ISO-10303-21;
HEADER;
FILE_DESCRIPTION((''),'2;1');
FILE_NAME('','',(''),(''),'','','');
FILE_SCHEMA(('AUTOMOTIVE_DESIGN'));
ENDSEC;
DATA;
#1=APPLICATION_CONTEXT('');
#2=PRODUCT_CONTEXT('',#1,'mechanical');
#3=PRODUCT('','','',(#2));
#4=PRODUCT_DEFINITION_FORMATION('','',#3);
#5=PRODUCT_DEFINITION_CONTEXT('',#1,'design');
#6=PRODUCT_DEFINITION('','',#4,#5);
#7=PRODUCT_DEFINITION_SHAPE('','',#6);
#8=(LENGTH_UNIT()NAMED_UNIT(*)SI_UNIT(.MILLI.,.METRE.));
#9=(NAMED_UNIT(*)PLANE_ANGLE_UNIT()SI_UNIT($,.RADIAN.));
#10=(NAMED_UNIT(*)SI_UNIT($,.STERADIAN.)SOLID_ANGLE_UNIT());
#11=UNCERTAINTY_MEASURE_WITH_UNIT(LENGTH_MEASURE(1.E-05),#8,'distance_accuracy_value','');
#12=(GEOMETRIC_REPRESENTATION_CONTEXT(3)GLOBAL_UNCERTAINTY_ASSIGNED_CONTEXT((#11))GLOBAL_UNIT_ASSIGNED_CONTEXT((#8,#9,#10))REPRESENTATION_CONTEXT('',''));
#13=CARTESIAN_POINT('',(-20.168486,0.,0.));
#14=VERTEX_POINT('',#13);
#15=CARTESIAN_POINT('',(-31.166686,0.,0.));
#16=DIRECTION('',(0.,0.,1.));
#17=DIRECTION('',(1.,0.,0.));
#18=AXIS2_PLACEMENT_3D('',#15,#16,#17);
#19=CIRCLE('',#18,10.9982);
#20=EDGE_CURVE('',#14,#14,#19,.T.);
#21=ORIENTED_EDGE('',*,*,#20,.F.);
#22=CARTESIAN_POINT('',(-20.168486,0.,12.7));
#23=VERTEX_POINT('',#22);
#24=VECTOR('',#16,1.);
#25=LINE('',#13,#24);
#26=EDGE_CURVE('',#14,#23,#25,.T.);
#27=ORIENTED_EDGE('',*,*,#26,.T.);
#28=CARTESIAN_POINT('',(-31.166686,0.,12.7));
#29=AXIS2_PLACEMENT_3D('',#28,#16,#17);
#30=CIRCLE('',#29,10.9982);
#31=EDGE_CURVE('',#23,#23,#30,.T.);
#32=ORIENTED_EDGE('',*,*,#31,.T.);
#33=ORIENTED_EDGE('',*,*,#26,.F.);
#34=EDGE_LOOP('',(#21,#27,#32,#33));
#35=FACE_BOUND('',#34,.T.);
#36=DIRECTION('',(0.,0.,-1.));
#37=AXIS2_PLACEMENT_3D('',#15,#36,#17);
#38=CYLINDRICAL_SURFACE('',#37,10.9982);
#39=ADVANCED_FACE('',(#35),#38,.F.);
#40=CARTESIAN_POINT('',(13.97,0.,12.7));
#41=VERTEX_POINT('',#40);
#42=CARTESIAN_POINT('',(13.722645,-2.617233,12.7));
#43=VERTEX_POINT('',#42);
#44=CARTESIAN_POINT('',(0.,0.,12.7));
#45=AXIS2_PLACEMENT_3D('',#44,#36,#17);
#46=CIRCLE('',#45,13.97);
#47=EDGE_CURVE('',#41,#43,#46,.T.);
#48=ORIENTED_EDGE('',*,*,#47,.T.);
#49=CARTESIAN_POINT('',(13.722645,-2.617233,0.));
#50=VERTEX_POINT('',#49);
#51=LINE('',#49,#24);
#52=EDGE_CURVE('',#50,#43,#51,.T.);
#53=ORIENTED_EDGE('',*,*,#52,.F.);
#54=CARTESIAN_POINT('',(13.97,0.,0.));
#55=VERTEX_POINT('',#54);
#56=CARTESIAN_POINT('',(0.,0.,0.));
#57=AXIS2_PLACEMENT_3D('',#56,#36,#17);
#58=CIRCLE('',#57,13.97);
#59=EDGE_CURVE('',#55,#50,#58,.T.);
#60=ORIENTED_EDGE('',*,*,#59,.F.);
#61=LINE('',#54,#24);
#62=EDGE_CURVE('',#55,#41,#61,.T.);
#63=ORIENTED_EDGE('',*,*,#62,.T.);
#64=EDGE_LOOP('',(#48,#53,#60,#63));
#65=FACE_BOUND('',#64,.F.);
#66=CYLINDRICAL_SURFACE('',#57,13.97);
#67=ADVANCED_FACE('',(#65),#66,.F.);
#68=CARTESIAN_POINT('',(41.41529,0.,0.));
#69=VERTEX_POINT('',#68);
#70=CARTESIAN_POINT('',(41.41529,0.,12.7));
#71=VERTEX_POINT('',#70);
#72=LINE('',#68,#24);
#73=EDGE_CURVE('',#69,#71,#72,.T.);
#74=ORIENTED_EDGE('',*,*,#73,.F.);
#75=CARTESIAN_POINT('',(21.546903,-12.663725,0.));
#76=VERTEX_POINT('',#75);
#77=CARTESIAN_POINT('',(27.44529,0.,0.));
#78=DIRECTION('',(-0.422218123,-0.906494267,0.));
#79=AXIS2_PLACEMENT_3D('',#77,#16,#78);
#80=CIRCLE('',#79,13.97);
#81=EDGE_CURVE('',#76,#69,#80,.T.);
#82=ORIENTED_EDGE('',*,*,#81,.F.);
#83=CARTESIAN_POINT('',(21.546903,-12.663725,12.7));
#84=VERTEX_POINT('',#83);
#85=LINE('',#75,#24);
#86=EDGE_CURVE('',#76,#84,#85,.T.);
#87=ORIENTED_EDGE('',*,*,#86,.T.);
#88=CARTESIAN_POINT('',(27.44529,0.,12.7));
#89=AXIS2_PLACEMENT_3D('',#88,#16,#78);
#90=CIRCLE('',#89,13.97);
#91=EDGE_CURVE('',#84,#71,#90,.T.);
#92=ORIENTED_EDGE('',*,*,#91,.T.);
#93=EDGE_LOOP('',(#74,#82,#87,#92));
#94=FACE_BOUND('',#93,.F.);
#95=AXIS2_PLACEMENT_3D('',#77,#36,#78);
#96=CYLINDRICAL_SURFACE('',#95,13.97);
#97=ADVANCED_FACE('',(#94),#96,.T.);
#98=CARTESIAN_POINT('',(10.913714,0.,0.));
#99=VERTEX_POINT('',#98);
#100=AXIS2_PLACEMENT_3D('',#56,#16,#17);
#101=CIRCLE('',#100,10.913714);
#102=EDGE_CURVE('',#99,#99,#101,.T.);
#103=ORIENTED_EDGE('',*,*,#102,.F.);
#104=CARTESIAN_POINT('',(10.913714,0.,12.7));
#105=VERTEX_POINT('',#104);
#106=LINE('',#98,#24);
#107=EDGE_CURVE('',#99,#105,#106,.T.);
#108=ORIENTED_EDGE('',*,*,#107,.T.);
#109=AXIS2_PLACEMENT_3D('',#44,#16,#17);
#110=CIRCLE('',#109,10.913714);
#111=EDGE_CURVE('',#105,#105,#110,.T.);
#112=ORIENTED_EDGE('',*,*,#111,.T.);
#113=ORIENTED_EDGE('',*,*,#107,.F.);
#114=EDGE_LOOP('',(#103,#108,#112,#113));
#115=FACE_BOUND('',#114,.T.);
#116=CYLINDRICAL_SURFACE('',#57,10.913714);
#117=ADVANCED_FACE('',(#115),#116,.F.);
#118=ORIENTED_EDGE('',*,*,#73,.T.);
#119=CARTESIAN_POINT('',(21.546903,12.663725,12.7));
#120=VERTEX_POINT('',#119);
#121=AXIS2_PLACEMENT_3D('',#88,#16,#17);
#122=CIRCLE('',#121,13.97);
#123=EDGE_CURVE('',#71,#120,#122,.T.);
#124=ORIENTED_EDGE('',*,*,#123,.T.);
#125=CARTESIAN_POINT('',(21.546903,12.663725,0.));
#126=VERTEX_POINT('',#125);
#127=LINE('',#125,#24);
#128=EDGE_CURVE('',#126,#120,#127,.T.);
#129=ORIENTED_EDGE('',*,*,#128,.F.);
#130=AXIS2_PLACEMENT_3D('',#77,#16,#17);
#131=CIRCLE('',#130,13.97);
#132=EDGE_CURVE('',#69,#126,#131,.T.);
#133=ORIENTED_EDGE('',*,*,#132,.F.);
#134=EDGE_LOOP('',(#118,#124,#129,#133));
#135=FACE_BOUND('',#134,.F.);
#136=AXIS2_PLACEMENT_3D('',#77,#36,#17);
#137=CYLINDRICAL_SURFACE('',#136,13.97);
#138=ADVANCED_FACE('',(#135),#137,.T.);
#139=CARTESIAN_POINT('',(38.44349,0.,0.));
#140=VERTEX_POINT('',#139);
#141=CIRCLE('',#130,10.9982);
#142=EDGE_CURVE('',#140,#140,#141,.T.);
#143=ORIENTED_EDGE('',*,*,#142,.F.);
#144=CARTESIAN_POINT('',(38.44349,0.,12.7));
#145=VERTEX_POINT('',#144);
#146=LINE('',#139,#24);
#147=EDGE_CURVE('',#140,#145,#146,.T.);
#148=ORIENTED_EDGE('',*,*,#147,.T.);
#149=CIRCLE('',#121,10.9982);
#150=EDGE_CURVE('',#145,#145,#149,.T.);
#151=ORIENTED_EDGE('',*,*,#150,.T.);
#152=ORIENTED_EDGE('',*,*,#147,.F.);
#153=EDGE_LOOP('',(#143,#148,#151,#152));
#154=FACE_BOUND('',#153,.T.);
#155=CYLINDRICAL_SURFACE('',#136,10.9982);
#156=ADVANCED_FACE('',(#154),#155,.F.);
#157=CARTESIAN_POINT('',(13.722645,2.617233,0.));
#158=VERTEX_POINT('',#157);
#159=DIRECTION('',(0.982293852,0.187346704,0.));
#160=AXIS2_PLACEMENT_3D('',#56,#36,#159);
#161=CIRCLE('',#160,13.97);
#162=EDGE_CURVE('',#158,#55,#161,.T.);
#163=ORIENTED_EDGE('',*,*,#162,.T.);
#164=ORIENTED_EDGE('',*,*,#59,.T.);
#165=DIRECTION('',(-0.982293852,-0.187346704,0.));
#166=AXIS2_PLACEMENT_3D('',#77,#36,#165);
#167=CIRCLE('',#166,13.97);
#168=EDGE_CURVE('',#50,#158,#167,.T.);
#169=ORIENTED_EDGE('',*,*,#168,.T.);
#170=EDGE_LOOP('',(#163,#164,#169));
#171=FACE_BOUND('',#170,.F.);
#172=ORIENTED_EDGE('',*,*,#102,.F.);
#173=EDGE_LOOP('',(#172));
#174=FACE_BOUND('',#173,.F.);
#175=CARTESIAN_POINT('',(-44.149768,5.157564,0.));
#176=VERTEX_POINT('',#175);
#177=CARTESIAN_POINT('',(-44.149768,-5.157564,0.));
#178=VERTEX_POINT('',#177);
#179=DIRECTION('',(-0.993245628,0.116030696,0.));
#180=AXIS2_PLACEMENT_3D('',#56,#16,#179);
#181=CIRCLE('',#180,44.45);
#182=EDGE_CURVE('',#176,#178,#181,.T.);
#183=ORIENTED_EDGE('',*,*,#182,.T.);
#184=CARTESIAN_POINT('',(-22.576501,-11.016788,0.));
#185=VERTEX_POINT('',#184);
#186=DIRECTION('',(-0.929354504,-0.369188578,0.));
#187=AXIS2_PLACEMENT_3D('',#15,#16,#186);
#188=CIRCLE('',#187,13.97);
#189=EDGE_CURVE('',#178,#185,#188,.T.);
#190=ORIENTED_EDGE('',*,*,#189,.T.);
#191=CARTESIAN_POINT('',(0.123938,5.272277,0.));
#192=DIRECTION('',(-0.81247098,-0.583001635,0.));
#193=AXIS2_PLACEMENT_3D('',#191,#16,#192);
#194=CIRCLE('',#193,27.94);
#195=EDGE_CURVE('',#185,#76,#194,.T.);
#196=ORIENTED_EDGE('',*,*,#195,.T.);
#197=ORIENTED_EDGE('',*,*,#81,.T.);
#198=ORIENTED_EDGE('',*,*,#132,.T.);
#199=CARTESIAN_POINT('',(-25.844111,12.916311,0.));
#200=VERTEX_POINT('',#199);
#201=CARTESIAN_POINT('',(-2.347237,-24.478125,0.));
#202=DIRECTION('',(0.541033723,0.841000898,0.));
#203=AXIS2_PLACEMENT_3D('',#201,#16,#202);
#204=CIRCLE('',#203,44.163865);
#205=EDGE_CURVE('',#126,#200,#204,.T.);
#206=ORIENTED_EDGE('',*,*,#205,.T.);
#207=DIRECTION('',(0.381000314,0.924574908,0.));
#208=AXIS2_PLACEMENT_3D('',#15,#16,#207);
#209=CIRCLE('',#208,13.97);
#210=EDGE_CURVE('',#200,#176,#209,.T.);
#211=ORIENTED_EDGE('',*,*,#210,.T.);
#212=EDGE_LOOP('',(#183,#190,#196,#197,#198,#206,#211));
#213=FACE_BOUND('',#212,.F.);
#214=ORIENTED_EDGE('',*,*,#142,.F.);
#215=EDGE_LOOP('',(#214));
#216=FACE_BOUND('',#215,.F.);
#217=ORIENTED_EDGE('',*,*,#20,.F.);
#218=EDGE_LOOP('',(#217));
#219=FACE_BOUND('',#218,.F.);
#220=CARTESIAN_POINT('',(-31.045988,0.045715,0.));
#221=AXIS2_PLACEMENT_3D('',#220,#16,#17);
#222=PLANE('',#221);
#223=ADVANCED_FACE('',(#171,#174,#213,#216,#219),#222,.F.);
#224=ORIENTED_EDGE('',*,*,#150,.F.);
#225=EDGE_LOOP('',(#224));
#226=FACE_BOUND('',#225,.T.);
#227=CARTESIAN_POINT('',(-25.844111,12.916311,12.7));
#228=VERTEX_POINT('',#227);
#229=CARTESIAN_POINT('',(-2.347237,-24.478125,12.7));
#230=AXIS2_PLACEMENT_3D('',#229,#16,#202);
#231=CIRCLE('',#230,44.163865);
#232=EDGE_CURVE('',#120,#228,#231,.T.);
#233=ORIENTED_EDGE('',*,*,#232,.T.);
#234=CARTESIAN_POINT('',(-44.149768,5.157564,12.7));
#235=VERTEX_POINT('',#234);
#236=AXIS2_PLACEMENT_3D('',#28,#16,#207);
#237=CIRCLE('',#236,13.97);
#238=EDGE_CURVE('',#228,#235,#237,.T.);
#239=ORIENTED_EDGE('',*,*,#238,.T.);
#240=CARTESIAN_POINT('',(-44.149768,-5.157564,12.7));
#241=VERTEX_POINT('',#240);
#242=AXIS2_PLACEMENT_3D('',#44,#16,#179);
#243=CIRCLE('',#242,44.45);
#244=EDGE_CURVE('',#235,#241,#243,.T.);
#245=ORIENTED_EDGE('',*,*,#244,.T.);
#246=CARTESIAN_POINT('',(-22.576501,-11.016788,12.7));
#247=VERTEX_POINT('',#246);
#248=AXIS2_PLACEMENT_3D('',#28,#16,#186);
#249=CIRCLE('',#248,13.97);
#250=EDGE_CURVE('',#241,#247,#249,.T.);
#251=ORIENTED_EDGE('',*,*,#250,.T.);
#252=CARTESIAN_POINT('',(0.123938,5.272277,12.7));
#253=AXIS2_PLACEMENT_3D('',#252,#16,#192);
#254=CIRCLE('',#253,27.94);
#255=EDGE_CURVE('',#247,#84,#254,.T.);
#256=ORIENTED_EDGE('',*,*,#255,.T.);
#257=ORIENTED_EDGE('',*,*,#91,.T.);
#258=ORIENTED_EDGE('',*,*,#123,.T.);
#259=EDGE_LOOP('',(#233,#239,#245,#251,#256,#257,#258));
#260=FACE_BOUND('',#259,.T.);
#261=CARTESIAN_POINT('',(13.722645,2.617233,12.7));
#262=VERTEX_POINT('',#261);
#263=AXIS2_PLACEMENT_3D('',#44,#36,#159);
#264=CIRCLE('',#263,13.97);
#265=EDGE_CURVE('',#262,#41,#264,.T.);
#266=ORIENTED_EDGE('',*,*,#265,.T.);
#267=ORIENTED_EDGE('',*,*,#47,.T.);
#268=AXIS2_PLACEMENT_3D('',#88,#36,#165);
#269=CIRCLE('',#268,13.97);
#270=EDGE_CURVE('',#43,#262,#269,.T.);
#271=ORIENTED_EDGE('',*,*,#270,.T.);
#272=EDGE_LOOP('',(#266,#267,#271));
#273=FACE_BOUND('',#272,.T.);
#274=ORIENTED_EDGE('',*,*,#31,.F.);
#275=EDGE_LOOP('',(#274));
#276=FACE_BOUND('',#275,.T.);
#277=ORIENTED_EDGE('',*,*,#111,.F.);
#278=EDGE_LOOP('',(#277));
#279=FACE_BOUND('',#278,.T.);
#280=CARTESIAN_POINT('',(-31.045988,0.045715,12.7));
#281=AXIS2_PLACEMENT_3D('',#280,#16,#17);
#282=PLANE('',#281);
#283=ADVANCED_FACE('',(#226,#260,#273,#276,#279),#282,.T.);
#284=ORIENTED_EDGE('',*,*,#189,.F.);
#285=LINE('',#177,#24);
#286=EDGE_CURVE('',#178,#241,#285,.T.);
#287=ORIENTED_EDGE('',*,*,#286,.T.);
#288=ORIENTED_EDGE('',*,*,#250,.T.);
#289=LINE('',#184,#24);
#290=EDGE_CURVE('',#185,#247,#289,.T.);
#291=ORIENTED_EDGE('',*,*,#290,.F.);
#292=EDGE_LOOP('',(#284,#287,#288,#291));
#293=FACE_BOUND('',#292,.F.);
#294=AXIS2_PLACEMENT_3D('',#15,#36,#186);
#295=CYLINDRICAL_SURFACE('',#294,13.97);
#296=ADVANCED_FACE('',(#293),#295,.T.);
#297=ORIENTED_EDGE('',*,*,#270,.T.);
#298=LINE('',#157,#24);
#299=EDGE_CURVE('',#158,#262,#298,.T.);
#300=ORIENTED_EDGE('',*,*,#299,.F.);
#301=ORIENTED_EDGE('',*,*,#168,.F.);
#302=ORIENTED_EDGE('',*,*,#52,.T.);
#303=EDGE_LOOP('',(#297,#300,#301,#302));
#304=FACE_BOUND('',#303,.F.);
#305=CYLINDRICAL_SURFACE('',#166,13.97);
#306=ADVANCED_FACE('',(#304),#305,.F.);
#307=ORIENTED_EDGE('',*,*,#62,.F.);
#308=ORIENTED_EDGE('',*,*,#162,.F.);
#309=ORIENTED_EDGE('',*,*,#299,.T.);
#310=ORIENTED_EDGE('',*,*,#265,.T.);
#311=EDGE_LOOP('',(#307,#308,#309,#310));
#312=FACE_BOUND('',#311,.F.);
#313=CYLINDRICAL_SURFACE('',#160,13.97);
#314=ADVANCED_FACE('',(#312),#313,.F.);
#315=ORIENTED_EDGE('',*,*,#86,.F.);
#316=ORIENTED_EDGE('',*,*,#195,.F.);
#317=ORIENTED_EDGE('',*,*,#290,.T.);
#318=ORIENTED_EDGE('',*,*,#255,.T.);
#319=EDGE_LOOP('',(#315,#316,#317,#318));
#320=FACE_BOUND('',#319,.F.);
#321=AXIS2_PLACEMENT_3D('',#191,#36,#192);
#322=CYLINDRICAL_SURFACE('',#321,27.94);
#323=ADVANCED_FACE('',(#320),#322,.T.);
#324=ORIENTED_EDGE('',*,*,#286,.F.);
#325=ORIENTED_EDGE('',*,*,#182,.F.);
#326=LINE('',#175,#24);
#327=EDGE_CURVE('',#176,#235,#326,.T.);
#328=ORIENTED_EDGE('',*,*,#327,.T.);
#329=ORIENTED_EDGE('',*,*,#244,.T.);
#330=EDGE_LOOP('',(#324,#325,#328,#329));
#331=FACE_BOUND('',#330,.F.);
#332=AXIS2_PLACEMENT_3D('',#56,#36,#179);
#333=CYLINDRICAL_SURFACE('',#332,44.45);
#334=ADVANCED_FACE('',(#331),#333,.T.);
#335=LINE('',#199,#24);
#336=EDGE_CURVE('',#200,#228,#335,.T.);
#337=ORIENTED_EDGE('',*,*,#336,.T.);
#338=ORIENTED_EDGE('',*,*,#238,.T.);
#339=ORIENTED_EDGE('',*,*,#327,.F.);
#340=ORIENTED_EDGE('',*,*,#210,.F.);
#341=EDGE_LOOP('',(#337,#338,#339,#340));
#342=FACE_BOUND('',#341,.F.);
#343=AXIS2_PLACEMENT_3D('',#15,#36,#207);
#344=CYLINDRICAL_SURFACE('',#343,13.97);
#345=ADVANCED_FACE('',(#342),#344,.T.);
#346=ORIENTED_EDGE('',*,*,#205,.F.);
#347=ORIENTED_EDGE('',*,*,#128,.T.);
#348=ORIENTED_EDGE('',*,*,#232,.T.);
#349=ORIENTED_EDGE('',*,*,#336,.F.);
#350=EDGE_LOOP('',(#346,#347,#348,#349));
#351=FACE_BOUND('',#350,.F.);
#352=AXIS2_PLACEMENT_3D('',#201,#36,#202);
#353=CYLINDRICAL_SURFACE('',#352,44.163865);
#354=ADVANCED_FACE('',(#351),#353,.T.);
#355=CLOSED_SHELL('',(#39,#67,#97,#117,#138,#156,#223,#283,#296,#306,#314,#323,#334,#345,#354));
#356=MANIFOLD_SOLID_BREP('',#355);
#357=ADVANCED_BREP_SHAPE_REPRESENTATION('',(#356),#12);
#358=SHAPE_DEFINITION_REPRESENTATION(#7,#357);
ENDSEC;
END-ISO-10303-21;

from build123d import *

# Parameters (mm, degrees)
F0_R     = 10.9982
F0_R_2   = 10.9137143354
F1_DEPTH = 12.7


with BuildPart() as f1:
    # F0 (on Top) → F1 (new body)
    with BuildSketch(Plane.XY):
        with BuildLine():
            ThreePointArc((-25.8441113636, 12.9163114686), (-36.6183263022, 12.8623681815), (-44.1497681666, 5.1575644288))
            ThreePointArc((-44.1497681666, 5.1575644288), (-44.45, 0), (-44.1497681666, -5.1575644288))
            ThreePointArc((-44.1497681666, -5.1575644288), (-34.8282447282, -13.4816128788), (-22.5765010853, -11.016788439))
            ThreePointArc((-22.5765010853, -11.016788439), (-18.6134833709, -6.13009055), (-17.1966857451, 0))
            ThreePointArc((-17.1966857451, 0), (-19.5581271759, 7.7718895994), (-25.8441113636, 12.9163114686))
        make_face()
        with Locations((-31.1666857451, 0)):
            Circle(F0_R, mode=Mode.SUBTRACT)
        with BuildLine():
            ThreePointArc((13.7226451188, -2.6172334521), (13.4752902377, 0), (13.7226451188, 2.6172334521))
            ThreePointArc((13.7226451188, 2.6172334521), (-13.97, 0), (13.7226451188, -2.6172334521))
        make_face()
        Circle(F0_R_2, mode=Mode.SUBTRACT)
        with BuildLine():
            ThreePointArc((41.4152902377, 0), (34.9539662549, 11.7805214005), (21.5469030554, 12.6637249121))
            ThreePointArc((21.5469030554, 12.6637249121), (16.4235288175, 8.583803073), (13.7226451188, 2.6172334521))
            ThreePointArc((13.7226451188, 2.6172334521), (13.9080238048, 1.3144481142), (13.97, 0))
            ThreePointArc((13.97, 0), (13.9080238048, -1.3144481142), (13.7226451188, -2.6172334521))
            ThreePointArc((13.7226451188, -2.6172334521), (16.4235288175, -8.583803073), (21.5469030554, -12.6637249121))
            ThreePointArc((21.5469030554, -12.6637249121), (34.9539662549, -11.7805214005), (41.4152902377, 0))
        make_face()
        with Locations((27.4452902377, 0)):
            Circle(F0_R, mode=Mode.SUBTRACT)
        with BuildLine():
            ThreePointArc((21.5469030554, 12.6637249121), (-2.1118543996, 19.6851125626), (-25.8441113636, 12.9163114686))
            ThreePointArc((-25.8441113636, 12.9163114686), (-19.5581271759, 7.7718895994), (-17.1966857451, 0))
            ThreePointArc((-17.1966857451, 0), (-18.6134833709, -6.13009055), (-22.5765010853, -11.016788439))
            ThreePointArc((-22.5765010853, -11.016788439), (-0.9182159345, -22.6482799794), (21.5469030554, -12.6637249121))
            ThreePointArc((21.5469030554, -12.6637249121), (16.4235288175, -8.583803073), (13.7226451188, -2.6172334521))
            ThreePointArc((13.7226451188, -2.6172334521), (-13.97, 0), (13.7226451188, 2.6172334521))
            ThreePointArc((13.7226451188, 2.6172334521), (16.4235288175, 8.583803073), (21.5469030554, 12.6637249121))
        make_face()
    extrude(amount=F1_DEPTH)


solid = f1.part
